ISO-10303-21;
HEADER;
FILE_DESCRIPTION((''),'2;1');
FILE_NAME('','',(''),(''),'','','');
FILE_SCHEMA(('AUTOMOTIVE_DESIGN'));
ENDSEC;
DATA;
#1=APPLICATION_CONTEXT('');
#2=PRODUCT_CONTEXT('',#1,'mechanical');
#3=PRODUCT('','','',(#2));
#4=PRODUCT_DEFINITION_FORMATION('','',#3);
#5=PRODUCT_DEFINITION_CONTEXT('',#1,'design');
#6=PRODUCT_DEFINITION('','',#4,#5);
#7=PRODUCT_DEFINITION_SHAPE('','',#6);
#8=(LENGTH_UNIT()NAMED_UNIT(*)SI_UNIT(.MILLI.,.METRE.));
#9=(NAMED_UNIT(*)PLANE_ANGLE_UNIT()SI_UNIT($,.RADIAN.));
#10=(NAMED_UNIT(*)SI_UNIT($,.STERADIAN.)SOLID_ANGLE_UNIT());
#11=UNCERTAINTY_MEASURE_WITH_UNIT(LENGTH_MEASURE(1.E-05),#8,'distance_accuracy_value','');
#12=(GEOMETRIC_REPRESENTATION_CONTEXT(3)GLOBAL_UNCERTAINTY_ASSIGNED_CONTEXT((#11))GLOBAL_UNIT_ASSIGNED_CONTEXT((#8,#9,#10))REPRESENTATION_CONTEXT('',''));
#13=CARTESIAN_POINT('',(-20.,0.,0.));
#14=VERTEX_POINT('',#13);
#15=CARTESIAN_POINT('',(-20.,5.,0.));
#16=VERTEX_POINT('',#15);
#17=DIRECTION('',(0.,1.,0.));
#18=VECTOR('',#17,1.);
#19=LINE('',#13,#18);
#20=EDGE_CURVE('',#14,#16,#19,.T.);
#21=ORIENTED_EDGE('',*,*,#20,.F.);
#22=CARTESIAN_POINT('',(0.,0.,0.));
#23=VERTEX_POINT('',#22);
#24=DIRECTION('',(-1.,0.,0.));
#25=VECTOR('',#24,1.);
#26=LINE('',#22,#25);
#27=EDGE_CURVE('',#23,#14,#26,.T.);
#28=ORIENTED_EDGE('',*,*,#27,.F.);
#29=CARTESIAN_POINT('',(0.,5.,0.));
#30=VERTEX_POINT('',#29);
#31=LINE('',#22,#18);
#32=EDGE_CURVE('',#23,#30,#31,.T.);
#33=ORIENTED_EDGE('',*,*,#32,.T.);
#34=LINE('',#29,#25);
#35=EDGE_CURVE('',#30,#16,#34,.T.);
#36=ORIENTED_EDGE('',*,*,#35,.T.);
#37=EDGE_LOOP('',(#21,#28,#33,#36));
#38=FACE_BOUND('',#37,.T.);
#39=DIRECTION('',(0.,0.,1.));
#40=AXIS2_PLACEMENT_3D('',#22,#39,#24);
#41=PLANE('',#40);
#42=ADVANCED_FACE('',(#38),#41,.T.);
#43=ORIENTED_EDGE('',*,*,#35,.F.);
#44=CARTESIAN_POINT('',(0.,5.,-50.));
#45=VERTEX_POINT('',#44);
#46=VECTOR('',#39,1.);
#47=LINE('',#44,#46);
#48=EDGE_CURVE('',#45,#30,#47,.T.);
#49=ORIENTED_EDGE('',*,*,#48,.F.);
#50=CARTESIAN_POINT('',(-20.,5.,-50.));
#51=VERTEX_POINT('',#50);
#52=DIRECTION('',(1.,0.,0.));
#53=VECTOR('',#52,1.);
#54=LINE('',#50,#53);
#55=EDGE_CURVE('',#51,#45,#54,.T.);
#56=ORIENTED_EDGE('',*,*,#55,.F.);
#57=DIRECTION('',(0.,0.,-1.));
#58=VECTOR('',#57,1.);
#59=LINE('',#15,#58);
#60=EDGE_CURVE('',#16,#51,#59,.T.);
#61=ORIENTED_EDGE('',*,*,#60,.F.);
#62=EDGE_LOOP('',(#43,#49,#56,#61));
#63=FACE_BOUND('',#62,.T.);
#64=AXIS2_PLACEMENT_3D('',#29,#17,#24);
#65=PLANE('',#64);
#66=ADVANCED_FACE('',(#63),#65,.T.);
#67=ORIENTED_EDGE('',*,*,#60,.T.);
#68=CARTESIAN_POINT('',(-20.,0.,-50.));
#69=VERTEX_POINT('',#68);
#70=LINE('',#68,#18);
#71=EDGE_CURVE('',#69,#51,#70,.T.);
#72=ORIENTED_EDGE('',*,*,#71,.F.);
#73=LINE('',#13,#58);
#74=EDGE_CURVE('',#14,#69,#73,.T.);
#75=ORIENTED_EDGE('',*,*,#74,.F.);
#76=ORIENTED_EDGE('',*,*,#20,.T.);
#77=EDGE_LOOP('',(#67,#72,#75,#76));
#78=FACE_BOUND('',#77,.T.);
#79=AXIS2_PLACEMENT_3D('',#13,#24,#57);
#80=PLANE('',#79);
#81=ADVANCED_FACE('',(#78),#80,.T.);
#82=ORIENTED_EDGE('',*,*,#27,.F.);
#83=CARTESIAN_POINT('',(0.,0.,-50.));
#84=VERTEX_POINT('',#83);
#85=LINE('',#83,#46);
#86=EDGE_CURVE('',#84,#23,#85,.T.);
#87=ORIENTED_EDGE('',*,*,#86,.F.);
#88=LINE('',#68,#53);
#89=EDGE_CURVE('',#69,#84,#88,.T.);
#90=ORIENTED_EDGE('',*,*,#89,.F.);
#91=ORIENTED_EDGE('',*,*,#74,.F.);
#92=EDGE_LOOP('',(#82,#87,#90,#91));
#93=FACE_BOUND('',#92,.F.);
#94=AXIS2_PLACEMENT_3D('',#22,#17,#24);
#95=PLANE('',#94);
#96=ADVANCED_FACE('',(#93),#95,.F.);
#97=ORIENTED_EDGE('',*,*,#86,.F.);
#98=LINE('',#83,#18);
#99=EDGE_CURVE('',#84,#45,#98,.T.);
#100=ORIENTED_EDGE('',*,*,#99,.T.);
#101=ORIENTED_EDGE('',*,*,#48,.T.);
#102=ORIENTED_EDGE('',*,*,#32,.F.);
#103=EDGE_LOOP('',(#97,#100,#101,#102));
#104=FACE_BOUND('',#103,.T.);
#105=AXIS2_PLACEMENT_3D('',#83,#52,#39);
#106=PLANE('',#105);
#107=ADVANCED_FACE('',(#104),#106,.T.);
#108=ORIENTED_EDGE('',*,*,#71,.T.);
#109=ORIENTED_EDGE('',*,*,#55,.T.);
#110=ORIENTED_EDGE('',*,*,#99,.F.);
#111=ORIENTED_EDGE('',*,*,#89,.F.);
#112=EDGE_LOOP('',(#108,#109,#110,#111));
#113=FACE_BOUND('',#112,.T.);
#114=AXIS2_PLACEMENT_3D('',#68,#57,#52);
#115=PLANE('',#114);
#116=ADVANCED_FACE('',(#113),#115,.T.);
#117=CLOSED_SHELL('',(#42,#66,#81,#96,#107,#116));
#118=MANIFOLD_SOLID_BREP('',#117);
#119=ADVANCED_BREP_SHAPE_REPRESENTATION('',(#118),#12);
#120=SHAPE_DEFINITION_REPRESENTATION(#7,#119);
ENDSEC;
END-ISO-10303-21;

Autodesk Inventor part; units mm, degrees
ref_plane "YZ Plane" through (0, 0, 0) normal (1, 0, 0) x (0, 1, 0)
ref_plane "XZ Plane" through (0, 0, 0) normal (0, 1, 0) x (-1, 0, 0)
ref_plane "XY Plane" through (0, 0, 0) normal (0, 0, 1) x (1, 0, 0)
sketch "Sketch1" plane through (0, 0, 0) normal (0, 1, 0) x (-1, 0, 0)
  point P0 (0, 0)
sketch "Sketch2" plane through (0, 0, 0) normal (0, 1, 0) x (-1, 0, 0)
  line L0 (0, 0) -> (20, 0)
  line L1 (20, 0) -> (20, -50)
  line L2 (20, -50) -> (0, -50)
  line L3 (0, -50) -> (0, 0)
  dimension "d0" = 20
  dimension "d1" = 50
extrude "Extrusion1" add sketch "Sketch2" along normal blind 5
properties part number "PiBedback"
